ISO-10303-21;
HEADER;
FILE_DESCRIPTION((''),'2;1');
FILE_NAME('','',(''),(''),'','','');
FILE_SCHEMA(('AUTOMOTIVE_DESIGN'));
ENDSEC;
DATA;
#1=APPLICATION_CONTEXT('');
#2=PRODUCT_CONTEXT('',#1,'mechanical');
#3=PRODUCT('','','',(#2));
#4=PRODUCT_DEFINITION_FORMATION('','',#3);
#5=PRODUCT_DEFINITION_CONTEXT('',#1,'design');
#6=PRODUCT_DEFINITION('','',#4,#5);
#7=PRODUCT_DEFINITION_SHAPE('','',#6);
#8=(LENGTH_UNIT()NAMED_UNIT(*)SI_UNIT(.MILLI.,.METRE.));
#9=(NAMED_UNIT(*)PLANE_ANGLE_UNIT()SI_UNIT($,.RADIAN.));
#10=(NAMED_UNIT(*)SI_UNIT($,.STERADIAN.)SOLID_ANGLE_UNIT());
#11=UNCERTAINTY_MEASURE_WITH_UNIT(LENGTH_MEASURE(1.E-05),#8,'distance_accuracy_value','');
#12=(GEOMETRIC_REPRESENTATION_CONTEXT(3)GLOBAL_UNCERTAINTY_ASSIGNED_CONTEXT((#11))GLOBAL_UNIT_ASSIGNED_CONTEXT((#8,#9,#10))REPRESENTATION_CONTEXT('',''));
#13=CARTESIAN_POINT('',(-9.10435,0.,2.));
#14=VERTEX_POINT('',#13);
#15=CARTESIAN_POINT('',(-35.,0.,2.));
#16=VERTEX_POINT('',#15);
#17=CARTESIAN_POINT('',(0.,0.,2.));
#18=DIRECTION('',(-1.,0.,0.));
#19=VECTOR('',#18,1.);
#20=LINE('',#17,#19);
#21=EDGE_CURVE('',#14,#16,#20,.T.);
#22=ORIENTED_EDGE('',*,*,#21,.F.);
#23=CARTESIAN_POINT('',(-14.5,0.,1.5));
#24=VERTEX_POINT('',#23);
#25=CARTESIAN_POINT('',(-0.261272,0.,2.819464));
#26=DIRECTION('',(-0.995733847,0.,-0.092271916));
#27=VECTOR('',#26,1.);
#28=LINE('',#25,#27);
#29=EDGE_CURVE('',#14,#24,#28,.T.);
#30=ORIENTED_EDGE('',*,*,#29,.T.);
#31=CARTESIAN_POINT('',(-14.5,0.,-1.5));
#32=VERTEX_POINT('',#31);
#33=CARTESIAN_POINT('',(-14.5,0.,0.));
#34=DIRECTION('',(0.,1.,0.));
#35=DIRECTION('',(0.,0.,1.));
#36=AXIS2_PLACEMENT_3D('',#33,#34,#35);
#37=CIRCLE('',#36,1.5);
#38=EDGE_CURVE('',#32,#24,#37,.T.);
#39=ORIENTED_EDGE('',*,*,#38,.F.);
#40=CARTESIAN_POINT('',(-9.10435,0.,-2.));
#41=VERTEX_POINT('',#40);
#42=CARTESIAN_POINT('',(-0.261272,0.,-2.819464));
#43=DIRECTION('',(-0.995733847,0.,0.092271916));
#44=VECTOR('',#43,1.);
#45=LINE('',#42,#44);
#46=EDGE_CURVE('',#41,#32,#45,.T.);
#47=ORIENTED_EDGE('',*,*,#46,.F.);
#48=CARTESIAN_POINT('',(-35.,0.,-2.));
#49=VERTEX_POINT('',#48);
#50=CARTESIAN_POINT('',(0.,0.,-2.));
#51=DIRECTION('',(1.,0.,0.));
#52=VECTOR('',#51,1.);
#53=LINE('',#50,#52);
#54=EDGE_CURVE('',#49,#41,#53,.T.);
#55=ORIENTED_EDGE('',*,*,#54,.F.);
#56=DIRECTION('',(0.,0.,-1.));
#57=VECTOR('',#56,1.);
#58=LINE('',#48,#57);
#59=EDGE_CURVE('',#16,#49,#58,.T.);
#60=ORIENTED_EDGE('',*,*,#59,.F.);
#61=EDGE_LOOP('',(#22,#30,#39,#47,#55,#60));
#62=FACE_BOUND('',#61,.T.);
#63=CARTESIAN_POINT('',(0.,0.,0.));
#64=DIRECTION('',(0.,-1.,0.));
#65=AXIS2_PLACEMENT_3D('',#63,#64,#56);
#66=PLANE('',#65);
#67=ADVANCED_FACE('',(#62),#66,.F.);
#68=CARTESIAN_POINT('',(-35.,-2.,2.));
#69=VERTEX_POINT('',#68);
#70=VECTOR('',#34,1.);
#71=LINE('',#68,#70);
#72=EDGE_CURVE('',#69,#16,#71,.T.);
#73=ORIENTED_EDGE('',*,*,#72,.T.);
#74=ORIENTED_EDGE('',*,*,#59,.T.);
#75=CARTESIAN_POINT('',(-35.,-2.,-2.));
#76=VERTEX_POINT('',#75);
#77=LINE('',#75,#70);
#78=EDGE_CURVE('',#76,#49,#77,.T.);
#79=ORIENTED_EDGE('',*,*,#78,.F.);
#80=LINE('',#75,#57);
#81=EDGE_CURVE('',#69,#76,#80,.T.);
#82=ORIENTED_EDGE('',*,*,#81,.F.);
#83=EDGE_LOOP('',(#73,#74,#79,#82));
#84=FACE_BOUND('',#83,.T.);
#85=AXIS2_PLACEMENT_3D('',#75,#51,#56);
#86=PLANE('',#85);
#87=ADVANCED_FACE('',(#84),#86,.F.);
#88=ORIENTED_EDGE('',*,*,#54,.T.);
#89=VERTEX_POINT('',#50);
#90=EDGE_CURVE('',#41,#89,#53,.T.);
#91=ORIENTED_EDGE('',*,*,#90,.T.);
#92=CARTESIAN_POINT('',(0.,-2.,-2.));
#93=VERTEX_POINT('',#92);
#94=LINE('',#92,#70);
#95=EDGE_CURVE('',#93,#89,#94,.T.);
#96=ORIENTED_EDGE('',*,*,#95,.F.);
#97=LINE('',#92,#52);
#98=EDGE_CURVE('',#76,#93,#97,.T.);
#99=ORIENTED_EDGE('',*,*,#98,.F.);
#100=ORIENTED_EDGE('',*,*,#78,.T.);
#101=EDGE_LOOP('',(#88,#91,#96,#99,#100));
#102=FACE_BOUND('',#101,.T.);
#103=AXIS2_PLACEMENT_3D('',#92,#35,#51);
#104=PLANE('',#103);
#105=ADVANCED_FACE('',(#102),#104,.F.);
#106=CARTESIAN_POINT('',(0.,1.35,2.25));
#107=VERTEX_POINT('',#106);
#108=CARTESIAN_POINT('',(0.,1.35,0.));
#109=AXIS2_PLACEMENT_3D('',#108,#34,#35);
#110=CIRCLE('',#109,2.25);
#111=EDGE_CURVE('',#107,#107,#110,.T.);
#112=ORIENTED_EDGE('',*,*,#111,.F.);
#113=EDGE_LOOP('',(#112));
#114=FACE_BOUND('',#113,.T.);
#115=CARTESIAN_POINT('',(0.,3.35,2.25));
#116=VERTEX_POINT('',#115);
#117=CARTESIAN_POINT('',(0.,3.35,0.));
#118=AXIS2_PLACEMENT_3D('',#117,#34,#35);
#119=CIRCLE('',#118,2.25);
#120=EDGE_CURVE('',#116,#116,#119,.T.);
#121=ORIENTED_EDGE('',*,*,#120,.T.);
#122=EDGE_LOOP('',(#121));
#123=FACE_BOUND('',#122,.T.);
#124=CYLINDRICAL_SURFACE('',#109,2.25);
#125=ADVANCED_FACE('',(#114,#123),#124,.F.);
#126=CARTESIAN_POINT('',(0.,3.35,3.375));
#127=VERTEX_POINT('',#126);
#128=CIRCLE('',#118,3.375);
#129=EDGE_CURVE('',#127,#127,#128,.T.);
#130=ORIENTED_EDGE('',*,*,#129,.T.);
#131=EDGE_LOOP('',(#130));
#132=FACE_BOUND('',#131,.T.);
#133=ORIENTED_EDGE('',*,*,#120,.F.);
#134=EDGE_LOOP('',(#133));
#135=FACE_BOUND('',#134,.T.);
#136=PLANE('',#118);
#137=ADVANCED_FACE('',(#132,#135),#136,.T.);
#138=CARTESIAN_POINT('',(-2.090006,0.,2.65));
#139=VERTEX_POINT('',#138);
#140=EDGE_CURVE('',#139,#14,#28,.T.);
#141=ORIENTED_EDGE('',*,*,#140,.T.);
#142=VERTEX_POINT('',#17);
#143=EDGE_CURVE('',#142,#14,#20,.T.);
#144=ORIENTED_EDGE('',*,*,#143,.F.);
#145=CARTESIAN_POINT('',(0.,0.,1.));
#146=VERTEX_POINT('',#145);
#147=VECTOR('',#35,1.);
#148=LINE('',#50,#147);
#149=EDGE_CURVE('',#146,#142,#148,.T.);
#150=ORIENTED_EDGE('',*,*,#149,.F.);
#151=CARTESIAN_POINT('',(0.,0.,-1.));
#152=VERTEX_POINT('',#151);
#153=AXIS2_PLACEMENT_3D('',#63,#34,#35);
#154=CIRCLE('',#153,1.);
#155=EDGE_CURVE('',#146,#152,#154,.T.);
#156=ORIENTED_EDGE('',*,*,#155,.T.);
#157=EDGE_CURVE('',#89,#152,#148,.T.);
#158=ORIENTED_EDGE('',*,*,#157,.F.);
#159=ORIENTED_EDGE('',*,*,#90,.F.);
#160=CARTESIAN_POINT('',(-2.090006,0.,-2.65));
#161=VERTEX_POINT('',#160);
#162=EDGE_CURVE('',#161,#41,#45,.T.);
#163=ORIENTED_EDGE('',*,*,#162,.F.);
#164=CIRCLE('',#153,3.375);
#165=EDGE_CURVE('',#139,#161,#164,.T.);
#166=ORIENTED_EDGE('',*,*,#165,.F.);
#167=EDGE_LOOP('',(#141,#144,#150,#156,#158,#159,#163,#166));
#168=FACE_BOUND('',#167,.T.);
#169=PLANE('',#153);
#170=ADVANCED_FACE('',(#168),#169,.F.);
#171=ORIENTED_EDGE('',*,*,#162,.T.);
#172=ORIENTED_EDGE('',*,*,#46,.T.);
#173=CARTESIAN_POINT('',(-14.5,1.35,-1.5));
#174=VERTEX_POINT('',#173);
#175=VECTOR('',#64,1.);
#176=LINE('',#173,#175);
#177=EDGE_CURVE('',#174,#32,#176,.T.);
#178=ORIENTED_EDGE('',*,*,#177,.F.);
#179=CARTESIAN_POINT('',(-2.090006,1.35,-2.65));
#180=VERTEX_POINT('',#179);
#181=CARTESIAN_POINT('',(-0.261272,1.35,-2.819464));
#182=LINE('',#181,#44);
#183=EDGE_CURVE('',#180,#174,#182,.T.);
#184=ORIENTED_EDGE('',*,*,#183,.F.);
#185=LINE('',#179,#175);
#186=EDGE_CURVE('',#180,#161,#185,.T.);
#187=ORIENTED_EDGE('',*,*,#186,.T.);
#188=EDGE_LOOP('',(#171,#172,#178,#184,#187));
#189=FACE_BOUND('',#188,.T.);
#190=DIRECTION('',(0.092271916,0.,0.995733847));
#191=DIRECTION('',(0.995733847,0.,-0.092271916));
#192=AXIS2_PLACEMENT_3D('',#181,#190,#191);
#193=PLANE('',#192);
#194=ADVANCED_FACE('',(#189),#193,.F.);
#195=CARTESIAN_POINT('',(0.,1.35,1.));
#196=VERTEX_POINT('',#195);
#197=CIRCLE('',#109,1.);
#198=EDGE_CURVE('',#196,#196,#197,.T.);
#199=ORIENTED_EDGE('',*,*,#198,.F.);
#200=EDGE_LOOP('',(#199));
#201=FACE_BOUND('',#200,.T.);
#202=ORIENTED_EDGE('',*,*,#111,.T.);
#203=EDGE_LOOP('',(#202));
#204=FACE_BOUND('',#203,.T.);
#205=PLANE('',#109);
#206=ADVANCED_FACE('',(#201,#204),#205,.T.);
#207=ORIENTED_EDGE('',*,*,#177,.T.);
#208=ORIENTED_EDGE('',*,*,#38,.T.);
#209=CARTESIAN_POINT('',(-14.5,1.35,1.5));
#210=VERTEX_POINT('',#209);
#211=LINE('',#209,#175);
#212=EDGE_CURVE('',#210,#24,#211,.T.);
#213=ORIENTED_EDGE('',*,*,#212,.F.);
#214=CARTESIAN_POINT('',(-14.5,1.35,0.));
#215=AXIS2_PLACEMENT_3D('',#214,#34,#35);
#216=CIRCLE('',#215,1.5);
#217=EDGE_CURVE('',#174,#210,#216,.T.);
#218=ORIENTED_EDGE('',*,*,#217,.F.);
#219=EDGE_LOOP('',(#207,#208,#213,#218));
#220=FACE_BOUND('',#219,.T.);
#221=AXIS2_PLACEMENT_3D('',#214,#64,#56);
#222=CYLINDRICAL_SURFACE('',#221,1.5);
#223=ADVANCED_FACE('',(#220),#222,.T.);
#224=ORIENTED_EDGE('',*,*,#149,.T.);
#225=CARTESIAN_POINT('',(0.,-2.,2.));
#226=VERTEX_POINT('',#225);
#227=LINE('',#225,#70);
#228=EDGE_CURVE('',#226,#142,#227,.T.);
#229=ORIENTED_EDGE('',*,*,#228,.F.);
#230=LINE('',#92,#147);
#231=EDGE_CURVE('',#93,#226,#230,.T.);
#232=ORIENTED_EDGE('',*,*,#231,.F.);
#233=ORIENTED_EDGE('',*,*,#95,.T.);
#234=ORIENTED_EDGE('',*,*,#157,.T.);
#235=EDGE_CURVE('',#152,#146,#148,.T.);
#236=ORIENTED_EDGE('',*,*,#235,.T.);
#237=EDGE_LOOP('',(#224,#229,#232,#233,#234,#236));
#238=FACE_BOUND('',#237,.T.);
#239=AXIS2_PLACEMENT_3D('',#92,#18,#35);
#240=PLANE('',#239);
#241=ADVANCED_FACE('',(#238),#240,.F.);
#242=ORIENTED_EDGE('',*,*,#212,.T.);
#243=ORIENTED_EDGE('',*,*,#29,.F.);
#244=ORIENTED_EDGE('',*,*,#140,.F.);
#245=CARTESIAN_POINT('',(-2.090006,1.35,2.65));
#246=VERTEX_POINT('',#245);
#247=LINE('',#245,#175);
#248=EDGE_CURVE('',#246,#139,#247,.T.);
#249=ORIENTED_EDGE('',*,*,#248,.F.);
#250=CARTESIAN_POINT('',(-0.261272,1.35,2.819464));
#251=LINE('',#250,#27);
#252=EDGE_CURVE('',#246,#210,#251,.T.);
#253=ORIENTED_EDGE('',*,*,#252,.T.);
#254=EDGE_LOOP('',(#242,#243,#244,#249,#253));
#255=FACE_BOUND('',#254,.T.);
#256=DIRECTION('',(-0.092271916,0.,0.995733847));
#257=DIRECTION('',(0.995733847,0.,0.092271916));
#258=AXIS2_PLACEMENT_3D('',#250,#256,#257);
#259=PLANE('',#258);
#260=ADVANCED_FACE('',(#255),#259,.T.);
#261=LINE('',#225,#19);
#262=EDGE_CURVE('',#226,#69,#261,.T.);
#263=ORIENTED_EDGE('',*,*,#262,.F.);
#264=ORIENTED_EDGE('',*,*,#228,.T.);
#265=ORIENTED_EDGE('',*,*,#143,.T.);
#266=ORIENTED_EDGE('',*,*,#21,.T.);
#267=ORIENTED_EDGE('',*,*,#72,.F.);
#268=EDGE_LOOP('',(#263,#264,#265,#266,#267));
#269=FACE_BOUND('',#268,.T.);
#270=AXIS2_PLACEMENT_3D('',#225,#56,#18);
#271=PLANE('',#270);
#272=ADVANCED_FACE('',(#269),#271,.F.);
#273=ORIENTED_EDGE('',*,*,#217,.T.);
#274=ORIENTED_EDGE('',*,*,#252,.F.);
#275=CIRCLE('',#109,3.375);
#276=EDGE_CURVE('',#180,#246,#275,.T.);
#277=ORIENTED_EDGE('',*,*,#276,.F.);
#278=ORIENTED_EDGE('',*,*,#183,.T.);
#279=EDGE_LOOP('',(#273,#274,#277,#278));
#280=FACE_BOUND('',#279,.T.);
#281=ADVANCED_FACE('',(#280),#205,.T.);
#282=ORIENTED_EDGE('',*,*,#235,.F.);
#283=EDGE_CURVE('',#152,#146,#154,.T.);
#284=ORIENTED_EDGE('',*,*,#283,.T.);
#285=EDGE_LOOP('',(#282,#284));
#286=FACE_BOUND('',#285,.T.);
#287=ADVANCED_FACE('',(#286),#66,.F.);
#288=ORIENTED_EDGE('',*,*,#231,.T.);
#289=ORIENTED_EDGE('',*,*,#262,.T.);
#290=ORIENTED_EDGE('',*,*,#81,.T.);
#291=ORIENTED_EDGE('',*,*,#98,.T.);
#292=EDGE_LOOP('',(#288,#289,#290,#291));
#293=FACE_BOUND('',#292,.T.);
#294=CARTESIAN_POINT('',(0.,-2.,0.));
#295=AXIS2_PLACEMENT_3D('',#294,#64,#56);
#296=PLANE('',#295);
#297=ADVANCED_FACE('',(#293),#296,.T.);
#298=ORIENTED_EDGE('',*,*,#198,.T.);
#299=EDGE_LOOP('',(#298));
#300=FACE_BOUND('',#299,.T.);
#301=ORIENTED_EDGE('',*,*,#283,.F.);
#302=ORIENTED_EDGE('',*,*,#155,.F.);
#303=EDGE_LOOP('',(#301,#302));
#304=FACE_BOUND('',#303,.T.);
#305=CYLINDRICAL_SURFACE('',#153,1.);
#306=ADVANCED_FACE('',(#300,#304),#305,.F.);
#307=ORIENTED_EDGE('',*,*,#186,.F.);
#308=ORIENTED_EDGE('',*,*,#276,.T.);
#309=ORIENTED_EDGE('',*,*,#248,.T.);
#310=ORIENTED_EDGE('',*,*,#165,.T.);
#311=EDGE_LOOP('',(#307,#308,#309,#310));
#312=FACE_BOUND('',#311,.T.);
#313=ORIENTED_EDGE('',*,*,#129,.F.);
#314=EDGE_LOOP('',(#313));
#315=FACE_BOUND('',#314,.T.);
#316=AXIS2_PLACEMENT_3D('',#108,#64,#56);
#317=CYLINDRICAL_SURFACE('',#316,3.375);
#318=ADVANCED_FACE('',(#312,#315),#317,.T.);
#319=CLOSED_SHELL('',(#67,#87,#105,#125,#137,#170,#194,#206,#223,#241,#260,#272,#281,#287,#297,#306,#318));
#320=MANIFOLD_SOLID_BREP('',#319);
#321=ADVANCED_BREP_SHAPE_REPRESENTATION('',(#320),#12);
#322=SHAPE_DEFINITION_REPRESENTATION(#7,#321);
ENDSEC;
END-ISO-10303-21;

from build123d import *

# Parameters (mm, degrees)
ESTRUSIONE_ESTRUSIONE1_DEPTH = 1.35
SCHIZZO2_R                   = 3.375
ESTRUSIONE_ESTRUSIONE2_DEPTH = 2
SCHIZZO3_R                   = 2.25
TAGLIO_ESTRUSIONE1_DEPTH     = 2
SCHIZZO4_R                   = 1
TAGLIO_ESTRUSIONE2_DEPTH     = 17.47393775
SCHIZZO6_W                   = 35
SCHIZZO6_H                   = 4
ESTRUSIONE_ESTRUSIONE3_DEPTH = 2


with BuildPart() as part:
    # Schizzo1 → Estrusione-Estrusione1 (new body)
    with BuildSketch(Plane(origin=(0, 0, 0), x_dir=(1, 0, 0), z_dir=(0, 1, 0))):
        with BuildLine():
            ThreePointArc((-2.090005981, -2.65), (-3.375, 0), (-2.090005981, 2.65))
            Line((-2.090005981, 2.65), (-14.5, 1.5))
            ThreePointArc((-14.5, 1.5), (-16, 0), (-14.5, -1.5))
            Line((-14.5, -1.5), (-2.090005981, -2.65))
        make_face()
        with BuildLine():
            ThreePointArc((3.375, 0), (1.472558117, 3.036807138), (-2.090005981, 2.65))
            Line((-2.090005981, 2.65), (-2.090005981, -2.65))
            ThreePointArc((-2.090005981, -2.65), (1.472558117, -3.036807138), (3.375, 0))
        make_face()
        with BuildLine():
            Line((-2.090005981, -2.65), (-2.090005981, 2.65))
            ThreePointArc((-2.090005981, 2.65), (-3.375, 0), (-2.090005981, -2.65))
        make_face()
    extrude(amount=ESTRUSIONE_ESTRUSIONE1_DEPTH)

    # Schizzo2 → Estrusione-Estrusione2 (add)
    with BuildSketch(Plane(origin=(0, 1.35, 0), x_dir=(1, 0, 0), z_dir=(0, 1, 0))):
        with Locations(Location((0, 0, 0), (0, 0, 128.262191128))):
            Circle(SCHIZZO2_R)
    extrude(amount=ESTRUSIONE_ESTRUSIONE2_DEPTH)

    # Schizzo3 → Taglio-Estrusione1 (cut)
    with BuildSketch(Plane(origin=(0, 3.35, 0), x_dir=(1, 0, 0), z_dir=(0, 1, 0))):
        with Locations(Location((0, 0, 0), (0, 0, 270))):
            Circle(SCHIZZO3_R)
    extrude(amount=-TAGLIO_ESTRUSIONE1_DEPTH, mode=Mode.SUBTRACT)

    # Schizzo4 → Taglio-Estrusione2 (cut, through all)
    with BuildSketch(Plane(origin=(0, 1.35, 0), x_dir=(1, 0, 0), z_dir=(0, 1, 0))):
        with Locations(Location((0, 0, 0), (0, 0, 270))):
            Circle(SCHIZZO4_R)
    extrude(amount=-TAGLIO_ESTRUSIONE2_DEPTH, mode=Mode.SUBTRACT)

    # Schizzo6 → Estrusione-Estrusione3 (add)
    with BuildSketch(Plane.XZ):
        with Locations((-17.5, 0)):
            Rectangle(SCHIZZO6_W, SCHIZZO6_H)
    extrude(amount=ESTRUSIONE_ESTRUSIONE3_DEPTH)


solid = part.part
